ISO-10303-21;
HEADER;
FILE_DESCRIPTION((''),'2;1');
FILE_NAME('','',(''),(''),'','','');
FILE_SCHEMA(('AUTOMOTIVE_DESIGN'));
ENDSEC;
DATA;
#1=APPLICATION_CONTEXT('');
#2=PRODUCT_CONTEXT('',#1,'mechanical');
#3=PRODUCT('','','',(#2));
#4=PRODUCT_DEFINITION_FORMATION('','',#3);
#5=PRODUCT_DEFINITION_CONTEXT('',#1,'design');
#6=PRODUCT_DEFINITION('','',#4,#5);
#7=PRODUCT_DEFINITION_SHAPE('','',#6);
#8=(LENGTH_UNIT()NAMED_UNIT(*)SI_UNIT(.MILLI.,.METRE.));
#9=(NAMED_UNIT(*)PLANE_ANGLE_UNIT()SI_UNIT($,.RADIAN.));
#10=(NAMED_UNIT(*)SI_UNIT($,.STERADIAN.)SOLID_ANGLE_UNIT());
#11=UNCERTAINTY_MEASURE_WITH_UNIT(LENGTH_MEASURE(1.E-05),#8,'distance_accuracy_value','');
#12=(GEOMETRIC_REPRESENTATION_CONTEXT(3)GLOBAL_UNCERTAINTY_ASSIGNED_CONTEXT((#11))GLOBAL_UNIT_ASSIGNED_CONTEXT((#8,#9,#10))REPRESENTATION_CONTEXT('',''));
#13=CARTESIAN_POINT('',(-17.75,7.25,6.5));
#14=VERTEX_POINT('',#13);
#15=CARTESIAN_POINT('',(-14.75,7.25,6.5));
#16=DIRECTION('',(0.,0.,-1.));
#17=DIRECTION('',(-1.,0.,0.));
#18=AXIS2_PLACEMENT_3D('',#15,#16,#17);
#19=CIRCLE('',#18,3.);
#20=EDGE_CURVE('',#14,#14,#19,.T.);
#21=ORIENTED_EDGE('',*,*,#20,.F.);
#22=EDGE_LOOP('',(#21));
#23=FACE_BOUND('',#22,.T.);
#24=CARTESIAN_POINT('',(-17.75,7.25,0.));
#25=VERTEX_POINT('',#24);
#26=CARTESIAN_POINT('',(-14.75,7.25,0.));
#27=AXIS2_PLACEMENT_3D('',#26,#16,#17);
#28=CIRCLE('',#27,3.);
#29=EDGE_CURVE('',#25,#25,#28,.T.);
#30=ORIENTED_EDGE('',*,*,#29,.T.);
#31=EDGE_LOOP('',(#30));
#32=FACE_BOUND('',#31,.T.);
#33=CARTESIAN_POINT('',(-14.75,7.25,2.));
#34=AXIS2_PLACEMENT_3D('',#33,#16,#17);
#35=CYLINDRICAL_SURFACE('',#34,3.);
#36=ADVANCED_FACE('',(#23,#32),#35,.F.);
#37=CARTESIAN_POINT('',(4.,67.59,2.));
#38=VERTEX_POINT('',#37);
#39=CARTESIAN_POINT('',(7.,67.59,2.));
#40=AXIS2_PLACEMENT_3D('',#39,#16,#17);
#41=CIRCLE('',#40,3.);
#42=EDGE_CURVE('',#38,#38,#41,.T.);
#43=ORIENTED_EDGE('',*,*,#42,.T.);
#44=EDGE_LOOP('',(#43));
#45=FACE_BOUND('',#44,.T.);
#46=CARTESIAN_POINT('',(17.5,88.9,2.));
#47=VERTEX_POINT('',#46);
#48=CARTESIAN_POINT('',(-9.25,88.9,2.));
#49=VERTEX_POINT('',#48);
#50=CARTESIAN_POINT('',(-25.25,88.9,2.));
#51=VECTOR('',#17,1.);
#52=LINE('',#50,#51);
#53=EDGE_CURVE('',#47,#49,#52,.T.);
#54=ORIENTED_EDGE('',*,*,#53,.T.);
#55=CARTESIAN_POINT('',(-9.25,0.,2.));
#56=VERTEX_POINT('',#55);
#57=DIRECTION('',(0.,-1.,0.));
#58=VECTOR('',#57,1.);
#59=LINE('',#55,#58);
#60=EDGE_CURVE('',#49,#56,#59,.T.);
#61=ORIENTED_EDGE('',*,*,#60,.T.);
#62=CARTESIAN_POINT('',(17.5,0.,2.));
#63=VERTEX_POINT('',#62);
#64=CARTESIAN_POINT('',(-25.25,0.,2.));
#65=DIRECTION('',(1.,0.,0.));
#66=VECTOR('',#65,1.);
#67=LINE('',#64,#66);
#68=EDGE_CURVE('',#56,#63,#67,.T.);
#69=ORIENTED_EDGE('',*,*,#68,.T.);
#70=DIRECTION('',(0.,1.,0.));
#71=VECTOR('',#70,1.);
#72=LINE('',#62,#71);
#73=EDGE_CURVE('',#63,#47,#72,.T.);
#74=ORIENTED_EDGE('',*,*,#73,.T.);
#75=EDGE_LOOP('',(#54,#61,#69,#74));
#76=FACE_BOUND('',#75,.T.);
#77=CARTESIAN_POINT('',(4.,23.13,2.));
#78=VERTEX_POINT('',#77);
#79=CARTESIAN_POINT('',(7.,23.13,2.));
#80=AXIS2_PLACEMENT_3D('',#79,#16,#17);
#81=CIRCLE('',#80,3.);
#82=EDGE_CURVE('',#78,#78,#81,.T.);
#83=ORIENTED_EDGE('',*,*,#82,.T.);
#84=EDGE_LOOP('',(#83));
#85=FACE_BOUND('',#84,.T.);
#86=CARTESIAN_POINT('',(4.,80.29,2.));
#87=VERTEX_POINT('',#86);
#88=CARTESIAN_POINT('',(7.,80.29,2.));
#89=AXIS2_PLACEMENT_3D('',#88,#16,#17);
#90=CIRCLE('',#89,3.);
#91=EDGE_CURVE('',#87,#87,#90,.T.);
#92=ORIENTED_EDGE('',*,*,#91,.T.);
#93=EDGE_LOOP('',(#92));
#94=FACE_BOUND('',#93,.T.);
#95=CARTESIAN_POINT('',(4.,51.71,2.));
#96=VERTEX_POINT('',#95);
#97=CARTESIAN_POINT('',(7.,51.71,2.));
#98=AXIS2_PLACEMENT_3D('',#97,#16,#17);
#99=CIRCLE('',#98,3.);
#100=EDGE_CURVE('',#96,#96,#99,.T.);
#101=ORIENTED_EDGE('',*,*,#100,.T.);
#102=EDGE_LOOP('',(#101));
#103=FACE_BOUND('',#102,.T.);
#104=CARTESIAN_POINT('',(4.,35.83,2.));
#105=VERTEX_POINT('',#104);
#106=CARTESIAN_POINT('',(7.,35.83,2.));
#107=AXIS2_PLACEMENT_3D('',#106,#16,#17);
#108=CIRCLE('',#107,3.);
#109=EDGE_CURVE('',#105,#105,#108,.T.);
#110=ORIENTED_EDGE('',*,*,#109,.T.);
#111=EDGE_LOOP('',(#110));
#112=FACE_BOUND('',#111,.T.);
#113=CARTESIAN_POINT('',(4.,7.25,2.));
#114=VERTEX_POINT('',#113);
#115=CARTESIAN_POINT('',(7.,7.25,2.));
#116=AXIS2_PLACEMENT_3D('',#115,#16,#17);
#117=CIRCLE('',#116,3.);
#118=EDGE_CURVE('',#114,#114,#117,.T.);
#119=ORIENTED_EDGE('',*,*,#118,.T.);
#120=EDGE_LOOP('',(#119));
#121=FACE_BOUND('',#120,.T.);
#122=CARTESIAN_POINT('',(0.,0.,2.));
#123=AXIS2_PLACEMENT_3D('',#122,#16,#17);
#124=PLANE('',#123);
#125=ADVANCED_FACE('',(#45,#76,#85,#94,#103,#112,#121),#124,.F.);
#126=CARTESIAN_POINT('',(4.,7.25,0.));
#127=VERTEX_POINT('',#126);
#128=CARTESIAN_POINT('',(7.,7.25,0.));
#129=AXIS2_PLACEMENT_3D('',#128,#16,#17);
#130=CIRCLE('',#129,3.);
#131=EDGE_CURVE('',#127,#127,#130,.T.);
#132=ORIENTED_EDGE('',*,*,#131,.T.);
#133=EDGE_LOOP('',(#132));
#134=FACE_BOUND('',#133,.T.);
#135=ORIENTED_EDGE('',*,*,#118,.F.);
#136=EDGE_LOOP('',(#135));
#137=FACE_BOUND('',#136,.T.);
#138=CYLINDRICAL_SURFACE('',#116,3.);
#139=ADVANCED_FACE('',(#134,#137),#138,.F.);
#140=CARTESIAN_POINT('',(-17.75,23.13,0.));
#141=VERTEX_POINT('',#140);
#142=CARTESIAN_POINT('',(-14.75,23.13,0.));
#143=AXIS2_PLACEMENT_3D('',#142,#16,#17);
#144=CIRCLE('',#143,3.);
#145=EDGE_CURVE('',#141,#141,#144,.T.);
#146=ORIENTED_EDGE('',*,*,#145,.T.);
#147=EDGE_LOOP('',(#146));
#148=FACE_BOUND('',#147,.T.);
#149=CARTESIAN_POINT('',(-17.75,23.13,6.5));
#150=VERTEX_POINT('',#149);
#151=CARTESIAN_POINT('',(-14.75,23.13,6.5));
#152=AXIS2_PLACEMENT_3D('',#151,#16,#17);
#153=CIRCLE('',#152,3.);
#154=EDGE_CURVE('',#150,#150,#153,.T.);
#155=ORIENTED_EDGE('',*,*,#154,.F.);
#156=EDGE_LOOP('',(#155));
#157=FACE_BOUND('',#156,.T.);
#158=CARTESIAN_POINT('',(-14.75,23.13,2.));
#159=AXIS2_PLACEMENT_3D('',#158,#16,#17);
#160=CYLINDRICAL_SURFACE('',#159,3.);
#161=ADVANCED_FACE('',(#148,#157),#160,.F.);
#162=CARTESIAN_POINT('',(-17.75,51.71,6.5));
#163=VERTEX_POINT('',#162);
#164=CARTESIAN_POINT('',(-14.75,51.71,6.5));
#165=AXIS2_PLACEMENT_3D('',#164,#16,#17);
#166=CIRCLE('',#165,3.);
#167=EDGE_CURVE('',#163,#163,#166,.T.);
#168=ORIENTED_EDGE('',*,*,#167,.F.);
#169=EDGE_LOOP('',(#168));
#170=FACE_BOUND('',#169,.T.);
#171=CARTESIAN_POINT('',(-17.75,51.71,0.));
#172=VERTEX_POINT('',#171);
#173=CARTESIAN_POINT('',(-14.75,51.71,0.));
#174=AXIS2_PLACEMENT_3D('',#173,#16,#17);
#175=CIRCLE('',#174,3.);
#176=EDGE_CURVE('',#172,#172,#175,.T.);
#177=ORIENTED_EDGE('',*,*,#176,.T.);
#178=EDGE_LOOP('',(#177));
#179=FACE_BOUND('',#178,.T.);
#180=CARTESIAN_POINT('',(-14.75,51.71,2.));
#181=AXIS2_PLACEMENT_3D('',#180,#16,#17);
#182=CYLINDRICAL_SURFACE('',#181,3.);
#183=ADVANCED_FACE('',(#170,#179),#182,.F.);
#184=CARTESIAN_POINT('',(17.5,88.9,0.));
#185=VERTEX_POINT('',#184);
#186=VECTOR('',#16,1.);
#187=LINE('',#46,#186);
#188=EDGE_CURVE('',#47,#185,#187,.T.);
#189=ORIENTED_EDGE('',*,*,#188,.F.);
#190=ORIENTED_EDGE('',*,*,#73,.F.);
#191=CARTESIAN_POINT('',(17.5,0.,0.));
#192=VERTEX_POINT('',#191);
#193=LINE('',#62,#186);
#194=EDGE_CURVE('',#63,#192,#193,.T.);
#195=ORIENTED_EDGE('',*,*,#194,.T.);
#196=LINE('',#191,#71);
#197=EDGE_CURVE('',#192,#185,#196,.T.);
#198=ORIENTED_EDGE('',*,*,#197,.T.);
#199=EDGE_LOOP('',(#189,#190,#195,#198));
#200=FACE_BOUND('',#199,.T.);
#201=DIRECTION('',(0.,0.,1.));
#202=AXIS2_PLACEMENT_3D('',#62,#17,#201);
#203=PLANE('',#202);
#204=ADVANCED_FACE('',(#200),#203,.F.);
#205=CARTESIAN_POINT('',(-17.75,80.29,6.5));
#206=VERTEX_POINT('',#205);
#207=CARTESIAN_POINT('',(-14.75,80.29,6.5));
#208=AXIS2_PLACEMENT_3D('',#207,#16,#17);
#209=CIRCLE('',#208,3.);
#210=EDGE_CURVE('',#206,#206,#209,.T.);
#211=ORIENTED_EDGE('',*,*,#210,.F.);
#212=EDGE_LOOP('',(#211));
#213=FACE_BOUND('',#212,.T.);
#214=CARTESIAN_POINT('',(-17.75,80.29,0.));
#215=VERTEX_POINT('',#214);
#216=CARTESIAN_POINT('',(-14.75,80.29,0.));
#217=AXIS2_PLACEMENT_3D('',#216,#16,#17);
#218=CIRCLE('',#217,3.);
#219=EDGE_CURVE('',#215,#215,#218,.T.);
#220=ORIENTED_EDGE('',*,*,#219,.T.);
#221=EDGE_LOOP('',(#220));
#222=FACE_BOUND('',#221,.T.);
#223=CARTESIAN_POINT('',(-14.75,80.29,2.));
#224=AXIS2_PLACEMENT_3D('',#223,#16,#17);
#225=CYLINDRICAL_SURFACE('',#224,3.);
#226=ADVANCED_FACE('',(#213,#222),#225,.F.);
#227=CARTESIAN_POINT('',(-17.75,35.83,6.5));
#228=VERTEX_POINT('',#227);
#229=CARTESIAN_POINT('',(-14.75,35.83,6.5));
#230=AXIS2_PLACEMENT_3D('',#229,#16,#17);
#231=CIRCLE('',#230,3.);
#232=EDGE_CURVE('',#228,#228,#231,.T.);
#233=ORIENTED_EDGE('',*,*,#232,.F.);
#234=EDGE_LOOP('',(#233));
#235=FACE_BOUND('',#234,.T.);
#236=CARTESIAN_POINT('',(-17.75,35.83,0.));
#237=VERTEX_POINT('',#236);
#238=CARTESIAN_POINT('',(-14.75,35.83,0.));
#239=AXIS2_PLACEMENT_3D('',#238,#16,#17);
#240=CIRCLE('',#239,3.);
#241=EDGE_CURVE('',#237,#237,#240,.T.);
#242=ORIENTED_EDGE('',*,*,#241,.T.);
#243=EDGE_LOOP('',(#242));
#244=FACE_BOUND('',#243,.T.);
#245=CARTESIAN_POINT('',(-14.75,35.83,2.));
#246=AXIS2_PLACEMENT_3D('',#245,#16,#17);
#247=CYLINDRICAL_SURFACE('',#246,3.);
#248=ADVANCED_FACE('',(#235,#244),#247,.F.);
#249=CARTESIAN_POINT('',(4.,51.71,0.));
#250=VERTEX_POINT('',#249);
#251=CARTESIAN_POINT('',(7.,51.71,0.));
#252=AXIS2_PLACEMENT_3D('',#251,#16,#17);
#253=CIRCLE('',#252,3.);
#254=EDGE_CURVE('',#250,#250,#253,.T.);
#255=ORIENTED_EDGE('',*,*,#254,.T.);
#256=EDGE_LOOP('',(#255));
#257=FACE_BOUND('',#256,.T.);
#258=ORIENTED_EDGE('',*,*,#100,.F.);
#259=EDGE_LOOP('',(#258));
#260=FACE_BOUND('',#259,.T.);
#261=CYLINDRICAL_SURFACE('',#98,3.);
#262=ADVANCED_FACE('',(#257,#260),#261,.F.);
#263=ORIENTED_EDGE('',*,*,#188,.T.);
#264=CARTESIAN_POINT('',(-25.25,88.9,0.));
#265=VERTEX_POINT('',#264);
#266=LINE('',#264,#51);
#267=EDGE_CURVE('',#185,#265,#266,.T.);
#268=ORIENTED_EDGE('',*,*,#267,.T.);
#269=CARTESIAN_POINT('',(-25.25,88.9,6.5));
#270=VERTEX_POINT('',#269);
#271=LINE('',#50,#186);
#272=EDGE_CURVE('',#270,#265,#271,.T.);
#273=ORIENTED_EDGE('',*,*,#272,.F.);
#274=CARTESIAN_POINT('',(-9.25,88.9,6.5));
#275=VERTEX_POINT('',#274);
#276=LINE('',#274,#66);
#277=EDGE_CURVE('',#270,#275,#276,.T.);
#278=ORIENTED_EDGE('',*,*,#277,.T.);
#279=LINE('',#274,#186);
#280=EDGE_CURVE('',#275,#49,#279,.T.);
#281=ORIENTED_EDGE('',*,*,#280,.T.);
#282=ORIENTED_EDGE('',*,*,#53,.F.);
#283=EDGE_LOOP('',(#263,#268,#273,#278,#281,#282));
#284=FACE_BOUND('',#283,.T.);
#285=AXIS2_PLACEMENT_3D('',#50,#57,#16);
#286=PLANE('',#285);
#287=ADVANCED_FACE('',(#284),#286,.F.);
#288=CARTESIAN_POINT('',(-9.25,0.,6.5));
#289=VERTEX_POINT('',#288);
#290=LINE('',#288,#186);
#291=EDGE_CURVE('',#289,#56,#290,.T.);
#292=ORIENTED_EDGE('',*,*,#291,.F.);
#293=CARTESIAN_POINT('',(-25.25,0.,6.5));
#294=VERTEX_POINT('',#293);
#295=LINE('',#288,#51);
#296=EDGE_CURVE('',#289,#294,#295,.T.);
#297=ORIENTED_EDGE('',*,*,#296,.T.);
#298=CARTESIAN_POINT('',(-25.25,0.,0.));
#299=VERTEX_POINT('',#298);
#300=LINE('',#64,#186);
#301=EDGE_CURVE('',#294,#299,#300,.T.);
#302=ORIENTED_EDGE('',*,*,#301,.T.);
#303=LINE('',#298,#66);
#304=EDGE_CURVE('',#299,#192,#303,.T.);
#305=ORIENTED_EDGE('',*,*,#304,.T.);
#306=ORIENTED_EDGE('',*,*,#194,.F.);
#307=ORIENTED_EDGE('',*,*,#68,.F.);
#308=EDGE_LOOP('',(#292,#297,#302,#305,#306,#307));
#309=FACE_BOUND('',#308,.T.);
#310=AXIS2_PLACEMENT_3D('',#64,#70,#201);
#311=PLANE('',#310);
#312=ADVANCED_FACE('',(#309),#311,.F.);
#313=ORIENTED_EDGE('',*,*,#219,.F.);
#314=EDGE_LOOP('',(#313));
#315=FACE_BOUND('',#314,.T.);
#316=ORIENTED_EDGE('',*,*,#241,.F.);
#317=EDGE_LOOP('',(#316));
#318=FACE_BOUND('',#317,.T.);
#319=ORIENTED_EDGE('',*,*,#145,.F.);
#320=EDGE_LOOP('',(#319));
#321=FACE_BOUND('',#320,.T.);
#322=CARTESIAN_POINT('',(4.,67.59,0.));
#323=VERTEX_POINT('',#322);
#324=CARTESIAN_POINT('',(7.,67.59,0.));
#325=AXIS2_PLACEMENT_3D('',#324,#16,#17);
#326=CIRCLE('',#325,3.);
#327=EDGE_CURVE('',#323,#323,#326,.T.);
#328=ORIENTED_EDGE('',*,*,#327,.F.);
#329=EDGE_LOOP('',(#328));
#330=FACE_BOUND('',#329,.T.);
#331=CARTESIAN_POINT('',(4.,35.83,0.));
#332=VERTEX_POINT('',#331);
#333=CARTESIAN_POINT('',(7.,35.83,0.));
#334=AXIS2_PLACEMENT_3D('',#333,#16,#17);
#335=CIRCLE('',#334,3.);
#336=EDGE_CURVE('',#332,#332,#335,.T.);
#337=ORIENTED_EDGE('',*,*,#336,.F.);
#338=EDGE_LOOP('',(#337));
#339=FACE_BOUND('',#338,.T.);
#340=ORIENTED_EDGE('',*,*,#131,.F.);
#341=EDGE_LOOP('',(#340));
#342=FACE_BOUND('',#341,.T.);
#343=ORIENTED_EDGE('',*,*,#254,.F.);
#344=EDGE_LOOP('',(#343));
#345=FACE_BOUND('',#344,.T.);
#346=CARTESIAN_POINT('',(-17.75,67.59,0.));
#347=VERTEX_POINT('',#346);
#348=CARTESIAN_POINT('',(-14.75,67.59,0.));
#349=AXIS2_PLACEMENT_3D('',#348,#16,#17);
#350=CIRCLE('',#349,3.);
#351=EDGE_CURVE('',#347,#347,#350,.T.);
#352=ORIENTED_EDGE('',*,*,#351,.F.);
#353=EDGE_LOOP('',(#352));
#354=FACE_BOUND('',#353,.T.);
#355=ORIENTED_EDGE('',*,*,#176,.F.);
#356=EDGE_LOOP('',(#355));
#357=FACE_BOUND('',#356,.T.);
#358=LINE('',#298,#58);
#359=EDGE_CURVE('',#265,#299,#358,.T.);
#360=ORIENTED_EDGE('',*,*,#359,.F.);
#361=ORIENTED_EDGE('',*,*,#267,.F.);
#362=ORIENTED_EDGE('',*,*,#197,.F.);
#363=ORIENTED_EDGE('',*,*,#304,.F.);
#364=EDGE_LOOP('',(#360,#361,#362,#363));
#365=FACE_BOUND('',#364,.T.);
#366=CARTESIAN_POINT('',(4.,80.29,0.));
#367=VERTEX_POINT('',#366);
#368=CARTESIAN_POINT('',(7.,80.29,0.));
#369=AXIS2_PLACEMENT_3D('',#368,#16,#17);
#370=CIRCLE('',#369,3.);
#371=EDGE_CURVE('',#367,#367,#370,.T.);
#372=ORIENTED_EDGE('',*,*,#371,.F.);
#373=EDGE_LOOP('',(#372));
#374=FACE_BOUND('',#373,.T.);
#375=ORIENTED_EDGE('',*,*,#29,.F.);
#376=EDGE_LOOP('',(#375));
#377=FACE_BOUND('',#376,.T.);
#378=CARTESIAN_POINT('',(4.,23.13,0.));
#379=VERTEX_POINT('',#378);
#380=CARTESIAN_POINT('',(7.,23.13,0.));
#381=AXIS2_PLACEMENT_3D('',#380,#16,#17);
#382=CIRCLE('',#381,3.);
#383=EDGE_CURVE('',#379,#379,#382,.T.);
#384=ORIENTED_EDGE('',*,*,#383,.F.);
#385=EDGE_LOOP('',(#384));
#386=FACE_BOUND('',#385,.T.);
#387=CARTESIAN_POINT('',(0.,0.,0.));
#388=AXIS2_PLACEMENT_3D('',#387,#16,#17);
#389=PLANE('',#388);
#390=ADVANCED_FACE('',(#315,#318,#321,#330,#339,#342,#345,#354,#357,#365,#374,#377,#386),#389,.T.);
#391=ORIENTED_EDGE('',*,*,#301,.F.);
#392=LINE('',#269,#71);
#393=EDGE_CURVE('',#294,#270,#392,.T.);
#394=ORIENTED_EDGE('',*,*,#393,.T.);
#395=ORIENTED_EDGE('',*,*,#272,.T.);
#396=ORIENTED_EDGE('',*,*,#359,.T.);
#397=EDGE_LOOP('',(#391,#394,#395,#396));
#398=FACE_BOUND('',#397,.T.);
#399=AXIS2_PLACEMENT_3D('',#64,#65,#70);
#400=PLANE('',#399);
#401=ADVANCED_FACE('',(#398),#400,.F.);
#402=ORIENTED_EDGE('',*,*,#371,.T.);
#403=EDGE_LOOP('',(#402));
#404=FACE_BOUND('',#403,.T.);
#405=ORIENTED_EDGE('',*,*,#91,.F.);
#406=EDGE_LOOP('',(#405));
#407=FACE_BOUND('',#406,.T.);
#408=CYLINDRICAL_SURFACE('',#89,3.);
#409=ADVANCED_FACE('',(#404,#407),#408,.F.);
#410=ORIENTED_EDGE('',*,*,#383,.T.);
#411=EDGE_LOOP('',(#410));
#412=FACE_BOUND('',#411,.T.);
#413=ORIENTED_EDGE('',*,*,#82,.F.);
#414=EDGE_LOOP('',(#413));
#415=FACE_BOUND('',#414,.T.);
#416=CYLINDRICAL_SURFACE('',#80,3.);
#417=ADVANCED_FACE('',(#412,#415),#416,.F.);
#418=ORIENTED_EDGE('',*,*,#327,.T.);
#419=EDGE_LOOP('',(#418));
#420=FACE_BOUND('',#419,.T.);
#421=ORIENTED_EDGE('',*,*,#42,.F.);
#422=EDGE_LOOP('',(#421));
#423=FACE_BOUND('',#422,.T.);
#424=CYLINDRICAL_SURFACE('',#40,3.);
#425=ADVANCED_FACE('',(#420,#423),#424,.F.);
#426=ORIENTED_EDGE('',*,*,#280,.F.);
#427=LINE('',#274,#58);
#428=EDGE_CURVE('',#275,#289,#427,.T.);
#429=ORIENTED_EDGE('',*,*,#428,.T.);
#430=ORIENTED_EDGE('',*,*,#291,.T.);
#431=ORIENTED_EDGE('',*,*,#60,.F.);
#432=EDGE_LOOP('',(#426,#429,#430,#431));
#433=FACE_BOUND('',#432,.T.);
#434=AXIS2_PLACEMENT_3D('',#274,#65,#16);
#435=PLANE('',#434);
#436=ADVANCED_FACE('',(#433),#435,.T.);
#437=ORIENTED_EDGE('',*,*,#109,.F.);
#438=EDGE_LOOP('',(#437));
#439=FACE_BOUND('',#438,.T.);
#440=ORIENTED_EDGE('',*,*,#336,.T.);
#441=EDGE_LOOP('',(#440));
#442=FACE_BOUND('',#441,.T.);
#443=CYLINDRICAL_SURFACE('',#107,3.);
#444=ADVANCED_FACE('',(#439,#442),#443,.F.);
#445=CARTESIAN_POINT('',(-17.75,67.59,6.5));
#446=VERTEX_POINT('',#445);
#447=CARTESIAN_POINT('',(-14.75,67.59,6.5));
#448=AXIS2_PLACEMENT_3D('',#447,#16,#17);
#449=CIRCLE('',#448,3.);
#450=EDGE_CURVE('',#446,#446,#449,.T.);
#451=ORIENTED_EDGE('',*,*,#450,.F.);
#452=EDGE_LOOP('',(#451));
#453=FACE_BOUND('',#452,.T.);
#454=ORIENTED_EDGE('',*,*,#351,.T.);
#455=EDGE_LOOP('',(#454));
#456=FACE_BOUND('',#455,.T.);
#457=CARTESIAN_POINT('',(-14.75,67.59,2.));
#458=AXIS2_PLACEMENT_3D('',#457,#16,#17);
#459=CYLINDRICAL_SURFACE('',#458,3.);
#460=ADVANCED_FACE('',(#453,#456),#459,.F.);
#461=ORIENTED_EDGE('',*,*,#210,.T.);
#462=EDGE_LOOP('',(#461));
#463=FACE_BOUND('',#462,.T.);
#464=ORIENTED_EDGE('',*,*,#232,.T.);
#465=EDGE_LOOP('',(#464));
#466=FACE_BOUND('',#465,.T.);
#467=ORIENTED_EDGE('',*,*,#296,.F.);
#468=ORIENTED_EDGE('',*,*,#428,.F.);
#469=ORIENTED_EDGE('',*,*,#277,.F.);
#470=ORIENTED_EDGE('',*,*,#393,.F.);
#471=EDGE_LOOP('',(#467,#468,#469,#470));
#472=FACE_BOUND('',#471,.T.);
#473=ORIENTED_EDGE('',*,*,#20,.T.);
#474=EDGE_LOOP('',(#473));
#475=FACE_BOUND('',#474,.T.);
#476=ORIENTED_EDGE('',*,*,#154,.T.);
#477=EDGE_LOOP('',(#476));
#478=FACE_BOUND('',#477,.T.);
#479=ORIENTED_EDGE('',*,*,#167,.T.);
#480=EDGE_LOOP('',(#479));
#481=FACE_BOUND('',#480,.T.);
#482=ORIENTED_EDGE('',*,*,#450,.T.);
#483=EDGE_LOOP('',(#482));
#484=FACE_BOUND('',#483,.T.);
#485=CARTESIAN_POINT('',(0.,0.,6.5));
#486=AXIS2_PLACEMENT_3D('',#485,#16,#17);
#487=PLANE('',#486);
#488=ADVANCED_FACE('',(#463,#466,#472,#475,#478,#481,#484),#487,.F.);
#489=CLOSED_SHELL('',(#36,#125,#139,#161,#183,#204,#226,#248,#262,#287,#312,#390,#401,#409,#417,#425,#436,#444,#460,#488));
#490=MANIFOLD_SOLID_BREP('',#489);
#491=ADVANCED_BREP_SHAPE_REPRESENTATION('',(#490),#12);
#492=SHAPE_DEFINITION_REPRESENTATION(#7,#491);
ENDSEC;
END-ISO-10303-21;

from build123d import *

# Parameters (mm, degrees)
SKETCH1_W           = 42.75
SKETCH1_H           = 88.9
SKETCH1_W_2         = 9.5
SKETCH1_H_2         = 9.5
BOSS_EXTRUDE1_DEPTH = 2
SKETCH2_W           = 9.5
SKETCH2_H           = 9.5
SKETCH2_R           = 3
BOSS_EXTRUDE2_DEPTH = 2
SKETCH3_W           = 16
SKETCH3_H           = 88.9
SKETCH3_R           = 3
BOSS_EXTRUDE3_DEPTH = 6.5


with BuildPart() as part:
    # Sketch1 → Boss-Extrude1 (new body)
    with BuildSketch(Plane.XY):
        with Locations((-3.875, 44.45)):
            Rectangle(SKETCH1_W, SKETCH1_H)
        with Locations((7, 67.59)):
            Rectangle(SKETCH1_W_2, SKETCH1_H_2, mode=Mode.SUBTRACT)
        with Locations((7, 80.29)):
            Rectangle(SKETCH1_W_2, SKETCH1_H_2, mode=Mode.SUBTRACT)
        with Locations((-14.75, 80.29)):
            Rectangle(SKETCH1_W_2, SKETCH1_H_2, mode=Mode.SUBTRACT)
        with Locations((-14.75, 67.59)):
            Rectangle(SKETCH1_W_2, SKETCH1_H_2, mode=Mode.SUBTRACT)
        with Locations((-14.75, 7.25)):
            Rectangle(SKETCH1_W_2, SKETCH1_H_2, mode=Mode.SUBTRACT)
        with Locations((7, 51.71)):
            Rectangle(SKETCH1_W_2, SKETCH1_H_2, mode=Mode.SUBTRACT)
        with Locations((-14.75, 51.71)):
            Rectangle(SKETCH1_W_2, SKETCH1_H_2, mode=Mode.SUBTRACT)
        with Locations((7, 7.25)):
            Rectangle(SKETCH1_W_2, SKETCH1_H_2, mode=Mode.SUBTRACT)
        with Locations((7, 23.13)):
            Rectangle(SKETCH1_W_2, SKETCH1_H_2, mode=Mode.SUBTRACT)
        with Locations((-14.75, 23.13)):
            Rectangle(SKETCH1_W_2, SKETCH1_H_2, mode=Mode.SUBTRACT)
        with Locations((7, 35.83)):
            Rectangle(SKETCH1_W_2, SKETCH1_H_2, mode=Mode.SUBTRACT)
        with Locations((-14.75, 35.83)):
            Rectangle(SKETCH1_W_2, SKETCH1_H_2, mode=Mode.SUBTRACT)
    extrude(amount=BOSS_EXTRUDE1_DEPTH)

    # Sketch2 → Boss-Extrude2 (add)
    with BuildSketch(Plane(origin=(0, 0, 0), x_dir=(-1, 0, 0), z_dir=(0, 0, -1))):
        with Locations((-7, 80.29)):
            Rectangle(SKETCH2_W, SKETCH2_H)
        with Locations((-7, 80.29)):
            Circle(SKETCH2_R, mode=Mode.SUBTRACT)
        with Locations((14.75, 80.29)):
            Rectangle(SKETCH2_W, SKETCH2_H)
        with Locations((14.75, 80.29)):
            Circle(SKETCH2_R, mode=Mode.SUBTRACT)
        with Locations((-7, 67.59)):
            Rectangle(SKETCH2_W, SKETCH2_H)
        with Locations((-7, 67.59)):
            Circle(SKETCH2_R, mode=Mode.SUBTRACT)
        with Locations((14.75, 67.59)):
            Rectangle(SKETCH2_W, SKETCH2_H)
        with Locations((14.75, 67.59)):
            Circle(SKETCH2_R, mode=Mode.SUBTRACT)
        with Locations((-7, 51.71)):
            Rectangle(SKETCH2_W, SKETCH2_H)
        with Locations((-7, 51.71)):
            Circle(SKETCH2_R, mode=Mode.SUBTRACT)
        with Locations((14.75, 51.71)):
            Rectangle(SKETCH2_W, SKETCH2_H)
        with Locations((14.75, 51.71)):
            Circle(SKETCH2_R, mode=Mode.SUBTRACT)
        with Locations((-7, 35.83)):
            Rectangle(SKETCH2_W, SKETCH2_H)
        with Locations((-7, 35.83)):
            Circle(SKETCH2_R, mode=Mode.SUBTRACT)
        with Locations((14.75, 35.83)):
            Rectangle(SKETCH2_W, SKETCH2_H)
        with Locations((14.75, 35.83)):
            Circle(SKETCH2_R, mode=Mode.SUBTRACT)
        with Locations((-7, 23.13)):
            Rectangle(SKETCH2_W, SKETCH2_H)
        with Locations((-7, 23.13)):
            Circle(SKETCH2_R, mode=Mode.SUBTRACT)
        with Locations((14.75, 23.13)):
            Rectangle(SKETCH2_W, SKETCH2_H)
        with Locations((14.75, 23.13)):
            Circle(SKETCH2_R, mode=Mode.SUBTRACT)
        with Locations((14.75, 7.25)):
            Rectangle(SKETCH2_W, SKETCH2_H)
        with Locations((14.75, 7.25)):
            Circle(SKETCH2_R, mode=Mode.SUBTRACT)
        with Locations((-7, 7.25)):
            Rectangle(SKETCH2_W, SKETCH2_H)
        with Locations((-7, 7.25)):
            Circle(SKETCH2_R, mode=Mode.SUBTRACT)
    extrude(amount=-BOSS_EXTRUDE2_DEPTH)

    # Sketch3 → Boss-Extrude3 (add)
    with BuildSketch(Plane(origin=(0, 0, 0), x_dir=(-1, 0, 0), z_dir=(0, 0, -1))):
        with Locations((17.25, 44.45)):
            Rectangle(SKETCH3_W, SKETCH3_H)
        with Locations((14.75, 80.29)):
            Circle(SKETCH3_R, mode=Mode.SUBTRACT)
        with Locations((14.75, 67.59)):
            Circle(SKETCH3_R, mode=Mode.SUBTRACT)
        with Locations((14.75, 51.71)):
            Circle(SKETCH3_R, mode=Mode.SUBTRACT)
        with Locations((14.75, 35.83)):
            Circle(SKETCH3_R, mode=Mode.SUBTRACT)
        with Locations((14.75, 23.13)):
            Circle(SKETCH3_R, mode=Mode.SUBTRACT)
        with Locations((14.75, 7.25)):
            Circle(SKETCH3_R, mode=Mode.SUBTRACT)
    extrude(amount=-BOSS_EXTRUDE3_DEPTH)


solid = part.part
